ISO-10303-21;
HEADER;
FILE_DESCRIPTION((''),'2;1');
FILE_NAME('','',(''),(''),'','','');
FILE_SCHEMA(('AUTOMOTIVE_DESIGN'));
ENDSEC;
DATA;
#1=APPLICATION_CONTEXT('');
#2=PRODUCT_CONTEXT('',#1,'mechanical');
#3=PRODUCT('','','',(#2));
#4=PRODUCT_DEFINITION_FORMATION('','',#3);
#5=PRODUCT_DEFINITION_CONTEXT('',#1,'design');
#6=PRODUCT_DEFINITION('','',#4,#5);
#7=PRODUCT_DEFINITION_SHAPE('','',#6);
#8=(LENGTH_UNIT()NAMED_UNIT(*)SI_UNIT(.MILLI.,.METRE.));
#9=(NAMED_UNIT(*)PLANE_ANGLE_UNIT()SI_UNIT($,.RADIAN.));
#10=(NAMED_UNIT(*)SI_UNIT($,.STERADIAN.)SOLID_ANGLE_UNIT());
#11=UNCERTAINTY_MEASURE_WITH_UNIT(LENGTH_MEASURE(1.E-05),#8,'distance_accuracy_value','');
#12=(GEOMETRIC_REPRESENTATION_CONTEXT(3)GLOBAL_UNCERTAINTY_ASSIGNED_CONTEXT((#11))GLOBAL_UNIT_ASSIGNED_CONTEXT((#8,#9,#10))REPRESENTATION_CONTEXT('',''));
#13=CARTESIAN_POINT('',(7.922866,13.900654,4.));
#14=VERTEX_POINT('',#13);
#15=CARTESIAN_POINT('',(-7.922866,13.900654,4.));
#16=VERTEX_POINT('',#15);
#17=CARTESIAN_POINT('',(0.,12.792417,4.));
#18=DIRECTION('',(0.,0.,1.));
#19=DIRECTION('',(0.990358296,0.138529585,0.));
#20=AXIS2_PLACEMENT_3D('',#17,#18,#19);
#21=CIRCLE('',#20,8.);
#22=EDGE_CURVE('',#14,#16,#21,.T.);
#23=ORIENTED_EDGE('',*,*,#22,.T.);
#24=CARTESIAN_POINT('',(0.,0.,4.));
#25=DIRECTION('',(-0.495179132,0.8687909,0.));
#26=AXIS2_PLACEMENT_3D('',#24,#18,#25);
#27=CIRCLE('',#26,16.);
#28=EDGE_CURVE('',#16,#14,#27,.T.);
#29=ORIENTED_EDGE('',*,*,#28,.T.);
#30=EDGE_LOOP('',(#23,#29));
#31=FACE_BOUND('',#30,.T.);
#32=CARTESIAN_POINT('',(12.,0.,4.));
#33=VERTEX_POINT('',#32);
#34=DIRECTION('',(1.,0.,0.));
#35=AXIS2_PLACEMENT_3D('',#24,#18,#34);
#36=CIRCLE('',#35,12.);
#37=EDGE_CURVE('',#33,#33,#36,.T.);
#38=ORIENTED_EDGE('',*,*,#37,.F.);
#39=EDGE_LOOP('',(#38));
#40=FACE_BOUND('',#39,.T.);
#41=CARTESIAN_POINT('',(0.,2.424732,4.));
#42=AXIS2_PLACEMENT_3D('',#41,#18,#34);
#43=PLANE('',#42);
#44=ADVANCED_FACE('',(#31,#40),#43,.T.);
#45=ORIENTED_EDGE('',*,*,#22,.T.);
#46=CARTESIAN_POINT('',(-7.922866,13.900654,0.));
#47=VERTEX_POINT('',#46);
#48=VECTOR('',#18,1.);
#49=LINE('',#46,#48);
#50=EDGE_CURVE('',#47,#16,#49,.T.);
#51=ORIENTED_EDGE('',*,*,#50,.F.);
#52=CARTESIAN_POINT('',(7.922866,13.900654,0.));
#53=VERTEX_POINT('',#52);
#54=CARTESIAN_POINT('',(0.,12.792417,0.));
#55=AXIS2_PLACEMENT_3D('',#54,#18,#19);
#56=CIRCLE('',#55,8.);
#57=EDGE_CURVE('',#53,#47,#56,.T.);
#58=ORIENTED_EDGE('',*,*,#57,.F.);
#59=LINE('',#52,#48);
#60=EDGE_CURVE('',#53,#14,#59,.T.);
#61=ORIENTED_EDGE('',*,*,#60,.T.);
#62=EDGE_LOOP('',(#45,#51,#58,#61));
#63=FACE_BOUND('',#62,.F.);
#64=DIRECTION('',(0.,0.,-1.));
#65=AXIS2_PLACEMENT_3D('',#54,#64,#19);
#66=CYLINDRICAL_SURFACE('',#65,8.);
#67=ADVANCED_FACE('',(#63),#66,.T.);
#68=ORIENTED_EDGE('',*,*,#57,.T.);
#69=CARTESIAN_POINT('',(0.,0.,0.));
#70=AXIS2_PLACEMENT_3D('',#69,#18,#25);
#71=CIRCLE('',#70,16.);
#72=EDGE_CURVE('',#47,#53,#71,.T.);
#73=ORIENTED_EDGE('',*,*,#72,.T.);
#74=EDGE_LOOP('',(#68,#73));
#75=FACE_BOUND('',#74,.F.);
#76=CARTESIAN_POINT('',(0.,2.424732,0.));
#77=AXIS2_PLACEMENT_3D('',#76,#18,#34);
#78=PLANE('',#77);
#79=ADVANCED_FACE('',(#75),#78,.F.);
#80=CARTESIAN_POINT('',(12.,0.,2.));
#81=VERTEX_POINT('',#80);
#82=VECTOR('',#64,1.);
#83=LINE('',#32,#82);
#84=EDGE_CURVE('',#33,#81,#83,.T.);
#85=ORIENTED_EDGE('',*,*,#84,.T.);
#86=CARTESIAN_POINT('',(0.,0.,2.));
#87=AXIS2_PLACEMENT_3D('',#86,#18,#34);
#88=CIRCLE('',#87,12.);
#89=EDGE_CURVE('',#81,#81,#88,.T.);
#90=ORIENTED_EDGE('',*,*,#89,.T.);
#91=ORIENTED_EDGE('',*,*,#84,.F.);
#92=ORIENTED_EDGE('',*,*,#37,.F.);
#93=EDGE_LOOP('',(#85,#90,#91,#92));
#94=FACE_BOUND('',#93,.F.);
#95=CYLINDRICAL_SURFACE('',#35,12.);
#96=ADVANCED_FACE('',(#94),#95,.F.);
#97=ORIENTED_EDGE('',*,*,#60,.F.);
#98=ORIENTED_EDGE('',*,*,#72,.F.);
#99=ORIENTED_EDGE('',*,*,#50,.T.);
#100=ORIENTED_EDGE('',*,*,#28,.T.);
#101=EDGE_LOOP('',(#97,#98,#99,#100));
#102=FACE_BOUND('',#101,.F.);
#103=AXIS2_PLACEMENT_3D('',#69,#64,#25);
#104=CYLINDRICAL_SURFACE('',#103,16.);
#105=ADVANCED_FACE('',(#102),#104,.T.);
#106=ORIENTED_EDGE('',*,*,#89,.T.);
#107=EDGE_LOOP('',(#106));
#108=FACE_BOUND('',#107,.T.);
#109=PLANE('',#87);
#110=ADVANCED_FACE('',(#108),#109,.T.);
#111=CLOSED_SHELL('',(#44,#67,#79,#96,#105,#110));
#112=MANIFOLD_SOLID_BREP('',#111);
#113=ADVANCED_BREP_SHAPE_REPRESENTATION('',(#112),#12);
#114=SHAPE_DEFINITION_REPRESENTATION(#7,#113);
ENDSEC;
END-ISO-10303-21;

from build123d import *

# Parameters (mm, degrees)
F1_DEPTH = 4
F2_R     = 12
F3_DEPTH = 2


with BuildPart() as f1:
    # F0 (on Top) → F1 (new body)
    with BuildSketch(Plane.XY):
        with BuildLine():
            ThreePointArc((7.922866, 13.900654), (0, 20.792417), (-7.922866, 13.900654))
            ThreePointArc((-7.922866, 13.900654), (0, -16), (7.922866, 13.900654))
        make_face()
    extrude(amount=F1_DEPTH)

    # F2 (on face) → F3 (cut)
    with BuildSketch(Plane.XY.offset(4)):
        Circle(F2_R)
    extrude(amount=-F3_DEPTH, mode=Mode.SUBTRACT)


solid = f1.part
